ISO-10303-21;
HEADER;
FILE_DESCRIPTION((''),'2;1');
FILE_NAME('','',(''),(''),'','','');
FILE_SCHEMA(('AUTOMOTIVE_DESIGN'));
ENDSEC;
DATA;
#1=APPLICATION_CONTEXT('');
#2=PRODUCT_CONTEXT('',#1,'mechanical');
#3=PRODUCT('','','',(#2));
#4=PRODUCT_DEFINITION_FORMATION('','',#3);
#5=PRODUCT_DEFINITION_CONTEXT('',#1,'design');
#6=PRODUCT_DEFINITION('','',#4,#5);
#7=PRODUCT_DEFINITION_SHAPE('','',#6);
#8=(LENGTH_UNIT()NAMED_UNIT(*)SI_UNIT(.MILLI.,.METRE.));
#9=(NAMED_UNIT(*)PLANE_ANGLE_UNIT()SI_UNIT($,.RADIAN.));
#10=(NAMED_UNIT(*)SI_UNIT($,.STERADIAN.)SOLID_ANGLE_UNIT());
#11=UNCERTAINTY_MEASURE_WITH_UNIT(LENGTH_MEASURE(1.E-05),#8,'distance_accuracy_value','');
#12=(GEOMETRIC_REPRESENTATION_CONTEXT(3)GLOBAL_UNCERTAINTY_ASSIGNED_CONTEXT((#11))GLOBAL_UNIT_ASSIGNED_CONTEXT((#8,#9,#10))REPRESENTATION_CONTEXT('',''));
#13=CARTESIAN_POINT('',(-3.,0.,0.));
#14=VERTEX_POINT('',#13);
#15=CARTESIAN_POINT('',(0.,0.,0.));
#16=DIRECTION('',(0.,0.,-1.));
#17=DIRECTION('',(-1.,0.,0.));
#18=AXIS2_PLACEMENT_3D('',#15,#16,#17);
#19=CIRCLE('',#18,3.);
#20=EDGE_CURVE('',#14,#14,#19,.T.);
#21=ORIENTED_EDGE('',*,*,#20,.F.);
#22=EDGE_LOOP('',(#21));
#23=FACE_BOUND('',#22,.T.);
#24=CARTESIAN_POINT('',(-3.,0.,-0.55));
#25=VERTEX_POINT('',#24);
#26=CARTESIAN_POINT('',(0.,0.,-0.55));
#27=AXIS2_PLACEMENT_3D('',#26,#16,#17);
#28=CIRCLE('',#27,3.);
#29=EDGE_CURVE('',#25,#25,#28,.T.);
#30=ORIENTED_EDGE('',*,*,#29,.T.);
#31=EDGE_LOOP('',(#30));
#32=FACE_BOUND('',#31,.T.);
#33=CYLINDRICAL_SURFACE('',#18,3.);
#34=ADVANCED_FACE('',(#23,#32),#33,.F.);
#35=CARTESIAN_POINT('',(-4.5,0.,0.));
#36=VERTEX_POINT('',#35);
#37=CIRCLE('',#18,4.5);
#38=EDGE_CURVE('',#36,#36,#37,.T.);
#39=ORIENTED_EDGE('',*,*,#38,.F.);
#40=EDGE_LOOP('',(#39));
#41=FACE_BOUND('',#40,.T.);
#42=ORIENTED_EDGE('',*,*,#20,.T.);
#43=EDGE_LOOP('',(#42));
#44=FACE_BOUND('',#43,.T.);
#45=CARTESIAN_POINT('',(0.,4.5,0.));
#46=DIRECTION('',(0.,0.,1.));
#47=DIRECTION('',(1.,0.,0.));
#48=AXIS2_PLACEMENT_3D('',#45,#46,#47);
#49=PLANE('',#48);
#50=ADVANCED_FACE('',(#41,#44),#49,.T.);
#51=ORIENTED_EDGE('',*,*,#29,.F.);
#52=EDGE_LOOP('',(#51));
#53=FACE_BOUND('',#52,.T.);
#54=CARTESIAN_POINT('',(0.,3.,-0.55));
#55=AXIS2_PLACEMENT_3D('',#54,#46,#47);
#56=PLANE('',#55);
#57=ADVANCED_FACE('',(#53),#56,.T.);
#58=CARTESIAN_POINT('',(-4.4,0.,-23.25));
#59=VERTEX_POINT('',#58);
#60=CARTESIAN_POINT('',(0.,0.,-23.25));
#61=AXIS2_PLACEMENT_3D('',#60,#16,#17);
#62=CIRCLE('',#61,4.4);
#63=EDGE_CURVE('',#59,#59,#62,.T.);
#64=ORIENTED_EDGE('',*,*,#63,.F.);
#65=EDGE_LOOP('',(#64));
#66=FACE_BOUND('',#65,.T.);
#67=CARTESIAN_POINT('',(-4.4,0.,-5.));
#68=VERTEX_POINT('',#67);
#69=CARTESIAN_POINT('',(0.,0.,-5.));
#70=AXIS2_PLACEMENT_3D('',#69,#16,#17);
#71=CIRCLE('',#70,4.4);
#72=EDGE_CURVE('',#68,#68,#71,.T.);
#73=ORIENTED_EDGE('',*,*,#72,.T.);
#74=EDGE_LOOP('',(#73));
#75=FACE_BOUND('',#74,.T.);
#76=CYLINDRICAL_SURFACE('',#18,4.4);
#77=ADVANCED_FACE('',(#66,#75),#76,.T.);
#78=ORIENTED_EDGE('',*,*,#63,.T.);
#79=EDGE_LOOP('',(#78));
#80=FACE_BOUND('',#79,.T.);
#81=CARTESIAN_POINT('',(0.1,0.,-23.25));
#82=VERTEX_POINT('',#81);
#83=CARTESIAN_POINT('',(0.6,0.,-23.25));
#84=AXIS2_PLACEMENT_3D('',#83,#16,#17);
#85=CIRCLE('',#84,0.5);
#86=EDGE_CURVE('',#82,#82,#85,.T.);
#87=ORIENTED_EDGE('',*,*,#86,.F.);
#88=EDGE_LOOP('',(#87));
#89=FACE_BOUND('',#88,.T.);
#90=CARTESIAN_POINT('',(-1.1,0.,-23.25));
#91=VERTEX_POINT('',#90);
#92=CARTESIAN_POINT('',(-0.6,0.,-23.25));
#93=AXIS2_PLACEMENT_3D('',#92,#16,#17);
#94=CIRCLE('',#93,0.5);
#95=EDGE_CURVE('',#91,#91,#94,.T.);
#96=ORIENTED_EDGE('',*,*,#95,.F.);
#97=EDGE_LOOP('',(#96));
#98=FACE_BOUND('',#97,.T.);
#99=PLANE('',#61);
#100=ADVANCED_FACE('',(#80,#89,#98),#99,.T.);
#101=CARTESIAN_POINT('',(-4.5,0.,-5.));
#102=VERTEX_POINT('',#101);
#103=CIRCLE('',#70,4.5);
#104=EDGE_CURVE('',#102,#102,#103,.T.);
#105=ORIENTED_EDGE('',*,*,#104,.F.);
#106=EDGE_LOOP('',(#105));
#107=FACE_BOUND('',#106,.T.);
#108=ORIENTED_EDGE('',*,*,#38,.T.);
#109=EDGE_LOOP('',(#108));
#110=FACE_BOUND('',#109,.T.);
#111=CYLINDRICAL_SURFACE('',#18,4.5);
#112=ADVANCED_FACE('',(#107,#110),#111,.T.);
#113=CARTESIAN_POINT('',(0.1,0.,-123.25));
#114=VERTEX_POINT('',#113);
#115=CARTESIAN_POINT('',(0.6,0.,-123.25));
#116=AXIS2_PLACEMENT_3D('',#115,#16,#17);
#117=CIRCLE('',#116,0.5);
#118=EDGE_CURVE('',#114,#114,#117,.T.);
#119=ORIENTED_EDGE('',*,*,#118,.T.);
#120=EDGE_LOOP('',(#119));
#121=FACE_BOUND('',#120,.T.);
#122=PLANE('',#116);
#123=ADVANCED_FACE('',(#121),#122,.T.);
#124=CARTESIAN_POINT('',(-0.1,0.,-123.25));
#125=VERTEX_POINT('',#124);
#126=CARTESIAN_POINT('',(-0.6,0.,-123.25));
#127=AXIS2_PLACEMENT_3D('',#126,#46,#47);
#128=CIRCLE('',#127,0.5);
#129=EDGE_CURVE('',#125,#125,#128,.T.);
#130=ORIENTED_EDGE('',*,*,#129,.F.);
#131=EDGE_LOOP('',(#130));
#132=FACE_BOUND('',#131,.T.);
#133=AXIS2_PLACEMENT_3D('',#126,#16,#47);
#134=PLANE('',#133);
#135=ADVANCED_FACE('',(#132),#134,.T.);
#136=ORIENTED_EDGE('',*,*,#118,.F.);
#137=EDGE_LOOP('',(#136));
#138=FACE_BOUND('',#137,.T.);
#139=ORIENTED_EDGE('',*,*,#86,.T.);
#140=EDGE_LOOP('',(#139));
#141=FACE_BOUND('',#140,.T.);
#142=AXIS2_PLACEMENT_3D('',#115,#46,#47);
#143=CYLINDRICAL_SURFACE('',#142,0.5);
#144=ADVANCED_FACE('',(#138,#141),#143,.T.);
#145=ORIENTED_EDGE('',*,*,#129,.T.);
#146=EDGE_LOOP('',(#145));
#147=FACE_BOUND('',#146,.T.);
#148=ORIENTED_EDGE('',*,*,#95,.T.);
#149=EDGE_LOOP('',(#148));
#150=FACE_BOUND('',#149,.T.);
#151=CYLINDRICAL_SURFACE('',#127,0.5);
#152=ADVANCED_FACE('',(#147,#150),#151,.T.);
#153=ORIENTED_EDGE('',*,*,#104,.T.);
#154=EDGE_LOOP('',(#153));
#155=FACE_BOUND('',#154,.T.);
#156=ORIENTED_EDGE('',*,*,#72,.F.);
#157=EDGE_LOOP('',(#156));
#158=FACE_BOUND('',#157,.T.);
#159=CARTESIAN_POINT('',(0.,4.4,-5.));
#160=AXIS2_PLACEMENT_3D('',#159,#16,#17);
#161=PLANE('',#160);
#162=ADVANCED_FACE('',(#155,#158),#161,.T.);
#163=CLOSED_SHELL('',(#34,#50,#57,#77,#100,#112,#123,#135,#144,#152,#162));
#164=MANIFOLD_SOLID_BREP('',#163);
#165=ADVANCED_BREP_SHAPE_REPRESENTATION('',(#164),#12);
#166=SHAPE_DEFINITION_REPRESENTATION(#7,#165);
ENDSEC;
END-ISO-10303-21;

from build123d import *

# Parameters (mm, degrees)
SKETCH2_R           = 0.5
BOSS_EXTRUDE1_DEPTH = 100


with BuildPart() as part:
    # Sketch1 → Revolve1 (revolve)
    with BuildSketch(Plane(origin=(0, 0, 0), x_dir=(0, 0, -1), z_dir=(1, 0, 0)), mode=Mode.PRIVATE) as revolve1_sk:
        Polygon((0, 4.5), (0, 3), (0.55, 3), (0.55, 0), (23.25, 0), (23.25, 4.4), (5, 4.4), (5, 4.5), align=None)
    revolve(revolve1_sk.sketch.rotate(Axis((0, 0, 0), (0, 0, 1)), 90), axis=Axis((0, 0, 0), (0, 0, 1)))  # turned: the seam where the file's is

    # Sketch2 → Boss-Extrude1 (add)
    with BuildSketch(Plane(origin=(0, 0, -23.25), x_dir=(-1, 0, 0), z_dir=(0, 0, -1))):
        with Locations((-0.6, 0)):
            Circle(SKETCH2_R)
    boss_extrude1 = extrude(amount=BOSS_EXTRUDE1_DEPTH)

    # Mirror1: Boss-Extrude1 across plane
    add(boss_extrude1.mirror(Plane(origin=(0, 0, 0), x_dir=(0, 0, 1), z_dir=(1, 0, 0))))


solid = part.part
